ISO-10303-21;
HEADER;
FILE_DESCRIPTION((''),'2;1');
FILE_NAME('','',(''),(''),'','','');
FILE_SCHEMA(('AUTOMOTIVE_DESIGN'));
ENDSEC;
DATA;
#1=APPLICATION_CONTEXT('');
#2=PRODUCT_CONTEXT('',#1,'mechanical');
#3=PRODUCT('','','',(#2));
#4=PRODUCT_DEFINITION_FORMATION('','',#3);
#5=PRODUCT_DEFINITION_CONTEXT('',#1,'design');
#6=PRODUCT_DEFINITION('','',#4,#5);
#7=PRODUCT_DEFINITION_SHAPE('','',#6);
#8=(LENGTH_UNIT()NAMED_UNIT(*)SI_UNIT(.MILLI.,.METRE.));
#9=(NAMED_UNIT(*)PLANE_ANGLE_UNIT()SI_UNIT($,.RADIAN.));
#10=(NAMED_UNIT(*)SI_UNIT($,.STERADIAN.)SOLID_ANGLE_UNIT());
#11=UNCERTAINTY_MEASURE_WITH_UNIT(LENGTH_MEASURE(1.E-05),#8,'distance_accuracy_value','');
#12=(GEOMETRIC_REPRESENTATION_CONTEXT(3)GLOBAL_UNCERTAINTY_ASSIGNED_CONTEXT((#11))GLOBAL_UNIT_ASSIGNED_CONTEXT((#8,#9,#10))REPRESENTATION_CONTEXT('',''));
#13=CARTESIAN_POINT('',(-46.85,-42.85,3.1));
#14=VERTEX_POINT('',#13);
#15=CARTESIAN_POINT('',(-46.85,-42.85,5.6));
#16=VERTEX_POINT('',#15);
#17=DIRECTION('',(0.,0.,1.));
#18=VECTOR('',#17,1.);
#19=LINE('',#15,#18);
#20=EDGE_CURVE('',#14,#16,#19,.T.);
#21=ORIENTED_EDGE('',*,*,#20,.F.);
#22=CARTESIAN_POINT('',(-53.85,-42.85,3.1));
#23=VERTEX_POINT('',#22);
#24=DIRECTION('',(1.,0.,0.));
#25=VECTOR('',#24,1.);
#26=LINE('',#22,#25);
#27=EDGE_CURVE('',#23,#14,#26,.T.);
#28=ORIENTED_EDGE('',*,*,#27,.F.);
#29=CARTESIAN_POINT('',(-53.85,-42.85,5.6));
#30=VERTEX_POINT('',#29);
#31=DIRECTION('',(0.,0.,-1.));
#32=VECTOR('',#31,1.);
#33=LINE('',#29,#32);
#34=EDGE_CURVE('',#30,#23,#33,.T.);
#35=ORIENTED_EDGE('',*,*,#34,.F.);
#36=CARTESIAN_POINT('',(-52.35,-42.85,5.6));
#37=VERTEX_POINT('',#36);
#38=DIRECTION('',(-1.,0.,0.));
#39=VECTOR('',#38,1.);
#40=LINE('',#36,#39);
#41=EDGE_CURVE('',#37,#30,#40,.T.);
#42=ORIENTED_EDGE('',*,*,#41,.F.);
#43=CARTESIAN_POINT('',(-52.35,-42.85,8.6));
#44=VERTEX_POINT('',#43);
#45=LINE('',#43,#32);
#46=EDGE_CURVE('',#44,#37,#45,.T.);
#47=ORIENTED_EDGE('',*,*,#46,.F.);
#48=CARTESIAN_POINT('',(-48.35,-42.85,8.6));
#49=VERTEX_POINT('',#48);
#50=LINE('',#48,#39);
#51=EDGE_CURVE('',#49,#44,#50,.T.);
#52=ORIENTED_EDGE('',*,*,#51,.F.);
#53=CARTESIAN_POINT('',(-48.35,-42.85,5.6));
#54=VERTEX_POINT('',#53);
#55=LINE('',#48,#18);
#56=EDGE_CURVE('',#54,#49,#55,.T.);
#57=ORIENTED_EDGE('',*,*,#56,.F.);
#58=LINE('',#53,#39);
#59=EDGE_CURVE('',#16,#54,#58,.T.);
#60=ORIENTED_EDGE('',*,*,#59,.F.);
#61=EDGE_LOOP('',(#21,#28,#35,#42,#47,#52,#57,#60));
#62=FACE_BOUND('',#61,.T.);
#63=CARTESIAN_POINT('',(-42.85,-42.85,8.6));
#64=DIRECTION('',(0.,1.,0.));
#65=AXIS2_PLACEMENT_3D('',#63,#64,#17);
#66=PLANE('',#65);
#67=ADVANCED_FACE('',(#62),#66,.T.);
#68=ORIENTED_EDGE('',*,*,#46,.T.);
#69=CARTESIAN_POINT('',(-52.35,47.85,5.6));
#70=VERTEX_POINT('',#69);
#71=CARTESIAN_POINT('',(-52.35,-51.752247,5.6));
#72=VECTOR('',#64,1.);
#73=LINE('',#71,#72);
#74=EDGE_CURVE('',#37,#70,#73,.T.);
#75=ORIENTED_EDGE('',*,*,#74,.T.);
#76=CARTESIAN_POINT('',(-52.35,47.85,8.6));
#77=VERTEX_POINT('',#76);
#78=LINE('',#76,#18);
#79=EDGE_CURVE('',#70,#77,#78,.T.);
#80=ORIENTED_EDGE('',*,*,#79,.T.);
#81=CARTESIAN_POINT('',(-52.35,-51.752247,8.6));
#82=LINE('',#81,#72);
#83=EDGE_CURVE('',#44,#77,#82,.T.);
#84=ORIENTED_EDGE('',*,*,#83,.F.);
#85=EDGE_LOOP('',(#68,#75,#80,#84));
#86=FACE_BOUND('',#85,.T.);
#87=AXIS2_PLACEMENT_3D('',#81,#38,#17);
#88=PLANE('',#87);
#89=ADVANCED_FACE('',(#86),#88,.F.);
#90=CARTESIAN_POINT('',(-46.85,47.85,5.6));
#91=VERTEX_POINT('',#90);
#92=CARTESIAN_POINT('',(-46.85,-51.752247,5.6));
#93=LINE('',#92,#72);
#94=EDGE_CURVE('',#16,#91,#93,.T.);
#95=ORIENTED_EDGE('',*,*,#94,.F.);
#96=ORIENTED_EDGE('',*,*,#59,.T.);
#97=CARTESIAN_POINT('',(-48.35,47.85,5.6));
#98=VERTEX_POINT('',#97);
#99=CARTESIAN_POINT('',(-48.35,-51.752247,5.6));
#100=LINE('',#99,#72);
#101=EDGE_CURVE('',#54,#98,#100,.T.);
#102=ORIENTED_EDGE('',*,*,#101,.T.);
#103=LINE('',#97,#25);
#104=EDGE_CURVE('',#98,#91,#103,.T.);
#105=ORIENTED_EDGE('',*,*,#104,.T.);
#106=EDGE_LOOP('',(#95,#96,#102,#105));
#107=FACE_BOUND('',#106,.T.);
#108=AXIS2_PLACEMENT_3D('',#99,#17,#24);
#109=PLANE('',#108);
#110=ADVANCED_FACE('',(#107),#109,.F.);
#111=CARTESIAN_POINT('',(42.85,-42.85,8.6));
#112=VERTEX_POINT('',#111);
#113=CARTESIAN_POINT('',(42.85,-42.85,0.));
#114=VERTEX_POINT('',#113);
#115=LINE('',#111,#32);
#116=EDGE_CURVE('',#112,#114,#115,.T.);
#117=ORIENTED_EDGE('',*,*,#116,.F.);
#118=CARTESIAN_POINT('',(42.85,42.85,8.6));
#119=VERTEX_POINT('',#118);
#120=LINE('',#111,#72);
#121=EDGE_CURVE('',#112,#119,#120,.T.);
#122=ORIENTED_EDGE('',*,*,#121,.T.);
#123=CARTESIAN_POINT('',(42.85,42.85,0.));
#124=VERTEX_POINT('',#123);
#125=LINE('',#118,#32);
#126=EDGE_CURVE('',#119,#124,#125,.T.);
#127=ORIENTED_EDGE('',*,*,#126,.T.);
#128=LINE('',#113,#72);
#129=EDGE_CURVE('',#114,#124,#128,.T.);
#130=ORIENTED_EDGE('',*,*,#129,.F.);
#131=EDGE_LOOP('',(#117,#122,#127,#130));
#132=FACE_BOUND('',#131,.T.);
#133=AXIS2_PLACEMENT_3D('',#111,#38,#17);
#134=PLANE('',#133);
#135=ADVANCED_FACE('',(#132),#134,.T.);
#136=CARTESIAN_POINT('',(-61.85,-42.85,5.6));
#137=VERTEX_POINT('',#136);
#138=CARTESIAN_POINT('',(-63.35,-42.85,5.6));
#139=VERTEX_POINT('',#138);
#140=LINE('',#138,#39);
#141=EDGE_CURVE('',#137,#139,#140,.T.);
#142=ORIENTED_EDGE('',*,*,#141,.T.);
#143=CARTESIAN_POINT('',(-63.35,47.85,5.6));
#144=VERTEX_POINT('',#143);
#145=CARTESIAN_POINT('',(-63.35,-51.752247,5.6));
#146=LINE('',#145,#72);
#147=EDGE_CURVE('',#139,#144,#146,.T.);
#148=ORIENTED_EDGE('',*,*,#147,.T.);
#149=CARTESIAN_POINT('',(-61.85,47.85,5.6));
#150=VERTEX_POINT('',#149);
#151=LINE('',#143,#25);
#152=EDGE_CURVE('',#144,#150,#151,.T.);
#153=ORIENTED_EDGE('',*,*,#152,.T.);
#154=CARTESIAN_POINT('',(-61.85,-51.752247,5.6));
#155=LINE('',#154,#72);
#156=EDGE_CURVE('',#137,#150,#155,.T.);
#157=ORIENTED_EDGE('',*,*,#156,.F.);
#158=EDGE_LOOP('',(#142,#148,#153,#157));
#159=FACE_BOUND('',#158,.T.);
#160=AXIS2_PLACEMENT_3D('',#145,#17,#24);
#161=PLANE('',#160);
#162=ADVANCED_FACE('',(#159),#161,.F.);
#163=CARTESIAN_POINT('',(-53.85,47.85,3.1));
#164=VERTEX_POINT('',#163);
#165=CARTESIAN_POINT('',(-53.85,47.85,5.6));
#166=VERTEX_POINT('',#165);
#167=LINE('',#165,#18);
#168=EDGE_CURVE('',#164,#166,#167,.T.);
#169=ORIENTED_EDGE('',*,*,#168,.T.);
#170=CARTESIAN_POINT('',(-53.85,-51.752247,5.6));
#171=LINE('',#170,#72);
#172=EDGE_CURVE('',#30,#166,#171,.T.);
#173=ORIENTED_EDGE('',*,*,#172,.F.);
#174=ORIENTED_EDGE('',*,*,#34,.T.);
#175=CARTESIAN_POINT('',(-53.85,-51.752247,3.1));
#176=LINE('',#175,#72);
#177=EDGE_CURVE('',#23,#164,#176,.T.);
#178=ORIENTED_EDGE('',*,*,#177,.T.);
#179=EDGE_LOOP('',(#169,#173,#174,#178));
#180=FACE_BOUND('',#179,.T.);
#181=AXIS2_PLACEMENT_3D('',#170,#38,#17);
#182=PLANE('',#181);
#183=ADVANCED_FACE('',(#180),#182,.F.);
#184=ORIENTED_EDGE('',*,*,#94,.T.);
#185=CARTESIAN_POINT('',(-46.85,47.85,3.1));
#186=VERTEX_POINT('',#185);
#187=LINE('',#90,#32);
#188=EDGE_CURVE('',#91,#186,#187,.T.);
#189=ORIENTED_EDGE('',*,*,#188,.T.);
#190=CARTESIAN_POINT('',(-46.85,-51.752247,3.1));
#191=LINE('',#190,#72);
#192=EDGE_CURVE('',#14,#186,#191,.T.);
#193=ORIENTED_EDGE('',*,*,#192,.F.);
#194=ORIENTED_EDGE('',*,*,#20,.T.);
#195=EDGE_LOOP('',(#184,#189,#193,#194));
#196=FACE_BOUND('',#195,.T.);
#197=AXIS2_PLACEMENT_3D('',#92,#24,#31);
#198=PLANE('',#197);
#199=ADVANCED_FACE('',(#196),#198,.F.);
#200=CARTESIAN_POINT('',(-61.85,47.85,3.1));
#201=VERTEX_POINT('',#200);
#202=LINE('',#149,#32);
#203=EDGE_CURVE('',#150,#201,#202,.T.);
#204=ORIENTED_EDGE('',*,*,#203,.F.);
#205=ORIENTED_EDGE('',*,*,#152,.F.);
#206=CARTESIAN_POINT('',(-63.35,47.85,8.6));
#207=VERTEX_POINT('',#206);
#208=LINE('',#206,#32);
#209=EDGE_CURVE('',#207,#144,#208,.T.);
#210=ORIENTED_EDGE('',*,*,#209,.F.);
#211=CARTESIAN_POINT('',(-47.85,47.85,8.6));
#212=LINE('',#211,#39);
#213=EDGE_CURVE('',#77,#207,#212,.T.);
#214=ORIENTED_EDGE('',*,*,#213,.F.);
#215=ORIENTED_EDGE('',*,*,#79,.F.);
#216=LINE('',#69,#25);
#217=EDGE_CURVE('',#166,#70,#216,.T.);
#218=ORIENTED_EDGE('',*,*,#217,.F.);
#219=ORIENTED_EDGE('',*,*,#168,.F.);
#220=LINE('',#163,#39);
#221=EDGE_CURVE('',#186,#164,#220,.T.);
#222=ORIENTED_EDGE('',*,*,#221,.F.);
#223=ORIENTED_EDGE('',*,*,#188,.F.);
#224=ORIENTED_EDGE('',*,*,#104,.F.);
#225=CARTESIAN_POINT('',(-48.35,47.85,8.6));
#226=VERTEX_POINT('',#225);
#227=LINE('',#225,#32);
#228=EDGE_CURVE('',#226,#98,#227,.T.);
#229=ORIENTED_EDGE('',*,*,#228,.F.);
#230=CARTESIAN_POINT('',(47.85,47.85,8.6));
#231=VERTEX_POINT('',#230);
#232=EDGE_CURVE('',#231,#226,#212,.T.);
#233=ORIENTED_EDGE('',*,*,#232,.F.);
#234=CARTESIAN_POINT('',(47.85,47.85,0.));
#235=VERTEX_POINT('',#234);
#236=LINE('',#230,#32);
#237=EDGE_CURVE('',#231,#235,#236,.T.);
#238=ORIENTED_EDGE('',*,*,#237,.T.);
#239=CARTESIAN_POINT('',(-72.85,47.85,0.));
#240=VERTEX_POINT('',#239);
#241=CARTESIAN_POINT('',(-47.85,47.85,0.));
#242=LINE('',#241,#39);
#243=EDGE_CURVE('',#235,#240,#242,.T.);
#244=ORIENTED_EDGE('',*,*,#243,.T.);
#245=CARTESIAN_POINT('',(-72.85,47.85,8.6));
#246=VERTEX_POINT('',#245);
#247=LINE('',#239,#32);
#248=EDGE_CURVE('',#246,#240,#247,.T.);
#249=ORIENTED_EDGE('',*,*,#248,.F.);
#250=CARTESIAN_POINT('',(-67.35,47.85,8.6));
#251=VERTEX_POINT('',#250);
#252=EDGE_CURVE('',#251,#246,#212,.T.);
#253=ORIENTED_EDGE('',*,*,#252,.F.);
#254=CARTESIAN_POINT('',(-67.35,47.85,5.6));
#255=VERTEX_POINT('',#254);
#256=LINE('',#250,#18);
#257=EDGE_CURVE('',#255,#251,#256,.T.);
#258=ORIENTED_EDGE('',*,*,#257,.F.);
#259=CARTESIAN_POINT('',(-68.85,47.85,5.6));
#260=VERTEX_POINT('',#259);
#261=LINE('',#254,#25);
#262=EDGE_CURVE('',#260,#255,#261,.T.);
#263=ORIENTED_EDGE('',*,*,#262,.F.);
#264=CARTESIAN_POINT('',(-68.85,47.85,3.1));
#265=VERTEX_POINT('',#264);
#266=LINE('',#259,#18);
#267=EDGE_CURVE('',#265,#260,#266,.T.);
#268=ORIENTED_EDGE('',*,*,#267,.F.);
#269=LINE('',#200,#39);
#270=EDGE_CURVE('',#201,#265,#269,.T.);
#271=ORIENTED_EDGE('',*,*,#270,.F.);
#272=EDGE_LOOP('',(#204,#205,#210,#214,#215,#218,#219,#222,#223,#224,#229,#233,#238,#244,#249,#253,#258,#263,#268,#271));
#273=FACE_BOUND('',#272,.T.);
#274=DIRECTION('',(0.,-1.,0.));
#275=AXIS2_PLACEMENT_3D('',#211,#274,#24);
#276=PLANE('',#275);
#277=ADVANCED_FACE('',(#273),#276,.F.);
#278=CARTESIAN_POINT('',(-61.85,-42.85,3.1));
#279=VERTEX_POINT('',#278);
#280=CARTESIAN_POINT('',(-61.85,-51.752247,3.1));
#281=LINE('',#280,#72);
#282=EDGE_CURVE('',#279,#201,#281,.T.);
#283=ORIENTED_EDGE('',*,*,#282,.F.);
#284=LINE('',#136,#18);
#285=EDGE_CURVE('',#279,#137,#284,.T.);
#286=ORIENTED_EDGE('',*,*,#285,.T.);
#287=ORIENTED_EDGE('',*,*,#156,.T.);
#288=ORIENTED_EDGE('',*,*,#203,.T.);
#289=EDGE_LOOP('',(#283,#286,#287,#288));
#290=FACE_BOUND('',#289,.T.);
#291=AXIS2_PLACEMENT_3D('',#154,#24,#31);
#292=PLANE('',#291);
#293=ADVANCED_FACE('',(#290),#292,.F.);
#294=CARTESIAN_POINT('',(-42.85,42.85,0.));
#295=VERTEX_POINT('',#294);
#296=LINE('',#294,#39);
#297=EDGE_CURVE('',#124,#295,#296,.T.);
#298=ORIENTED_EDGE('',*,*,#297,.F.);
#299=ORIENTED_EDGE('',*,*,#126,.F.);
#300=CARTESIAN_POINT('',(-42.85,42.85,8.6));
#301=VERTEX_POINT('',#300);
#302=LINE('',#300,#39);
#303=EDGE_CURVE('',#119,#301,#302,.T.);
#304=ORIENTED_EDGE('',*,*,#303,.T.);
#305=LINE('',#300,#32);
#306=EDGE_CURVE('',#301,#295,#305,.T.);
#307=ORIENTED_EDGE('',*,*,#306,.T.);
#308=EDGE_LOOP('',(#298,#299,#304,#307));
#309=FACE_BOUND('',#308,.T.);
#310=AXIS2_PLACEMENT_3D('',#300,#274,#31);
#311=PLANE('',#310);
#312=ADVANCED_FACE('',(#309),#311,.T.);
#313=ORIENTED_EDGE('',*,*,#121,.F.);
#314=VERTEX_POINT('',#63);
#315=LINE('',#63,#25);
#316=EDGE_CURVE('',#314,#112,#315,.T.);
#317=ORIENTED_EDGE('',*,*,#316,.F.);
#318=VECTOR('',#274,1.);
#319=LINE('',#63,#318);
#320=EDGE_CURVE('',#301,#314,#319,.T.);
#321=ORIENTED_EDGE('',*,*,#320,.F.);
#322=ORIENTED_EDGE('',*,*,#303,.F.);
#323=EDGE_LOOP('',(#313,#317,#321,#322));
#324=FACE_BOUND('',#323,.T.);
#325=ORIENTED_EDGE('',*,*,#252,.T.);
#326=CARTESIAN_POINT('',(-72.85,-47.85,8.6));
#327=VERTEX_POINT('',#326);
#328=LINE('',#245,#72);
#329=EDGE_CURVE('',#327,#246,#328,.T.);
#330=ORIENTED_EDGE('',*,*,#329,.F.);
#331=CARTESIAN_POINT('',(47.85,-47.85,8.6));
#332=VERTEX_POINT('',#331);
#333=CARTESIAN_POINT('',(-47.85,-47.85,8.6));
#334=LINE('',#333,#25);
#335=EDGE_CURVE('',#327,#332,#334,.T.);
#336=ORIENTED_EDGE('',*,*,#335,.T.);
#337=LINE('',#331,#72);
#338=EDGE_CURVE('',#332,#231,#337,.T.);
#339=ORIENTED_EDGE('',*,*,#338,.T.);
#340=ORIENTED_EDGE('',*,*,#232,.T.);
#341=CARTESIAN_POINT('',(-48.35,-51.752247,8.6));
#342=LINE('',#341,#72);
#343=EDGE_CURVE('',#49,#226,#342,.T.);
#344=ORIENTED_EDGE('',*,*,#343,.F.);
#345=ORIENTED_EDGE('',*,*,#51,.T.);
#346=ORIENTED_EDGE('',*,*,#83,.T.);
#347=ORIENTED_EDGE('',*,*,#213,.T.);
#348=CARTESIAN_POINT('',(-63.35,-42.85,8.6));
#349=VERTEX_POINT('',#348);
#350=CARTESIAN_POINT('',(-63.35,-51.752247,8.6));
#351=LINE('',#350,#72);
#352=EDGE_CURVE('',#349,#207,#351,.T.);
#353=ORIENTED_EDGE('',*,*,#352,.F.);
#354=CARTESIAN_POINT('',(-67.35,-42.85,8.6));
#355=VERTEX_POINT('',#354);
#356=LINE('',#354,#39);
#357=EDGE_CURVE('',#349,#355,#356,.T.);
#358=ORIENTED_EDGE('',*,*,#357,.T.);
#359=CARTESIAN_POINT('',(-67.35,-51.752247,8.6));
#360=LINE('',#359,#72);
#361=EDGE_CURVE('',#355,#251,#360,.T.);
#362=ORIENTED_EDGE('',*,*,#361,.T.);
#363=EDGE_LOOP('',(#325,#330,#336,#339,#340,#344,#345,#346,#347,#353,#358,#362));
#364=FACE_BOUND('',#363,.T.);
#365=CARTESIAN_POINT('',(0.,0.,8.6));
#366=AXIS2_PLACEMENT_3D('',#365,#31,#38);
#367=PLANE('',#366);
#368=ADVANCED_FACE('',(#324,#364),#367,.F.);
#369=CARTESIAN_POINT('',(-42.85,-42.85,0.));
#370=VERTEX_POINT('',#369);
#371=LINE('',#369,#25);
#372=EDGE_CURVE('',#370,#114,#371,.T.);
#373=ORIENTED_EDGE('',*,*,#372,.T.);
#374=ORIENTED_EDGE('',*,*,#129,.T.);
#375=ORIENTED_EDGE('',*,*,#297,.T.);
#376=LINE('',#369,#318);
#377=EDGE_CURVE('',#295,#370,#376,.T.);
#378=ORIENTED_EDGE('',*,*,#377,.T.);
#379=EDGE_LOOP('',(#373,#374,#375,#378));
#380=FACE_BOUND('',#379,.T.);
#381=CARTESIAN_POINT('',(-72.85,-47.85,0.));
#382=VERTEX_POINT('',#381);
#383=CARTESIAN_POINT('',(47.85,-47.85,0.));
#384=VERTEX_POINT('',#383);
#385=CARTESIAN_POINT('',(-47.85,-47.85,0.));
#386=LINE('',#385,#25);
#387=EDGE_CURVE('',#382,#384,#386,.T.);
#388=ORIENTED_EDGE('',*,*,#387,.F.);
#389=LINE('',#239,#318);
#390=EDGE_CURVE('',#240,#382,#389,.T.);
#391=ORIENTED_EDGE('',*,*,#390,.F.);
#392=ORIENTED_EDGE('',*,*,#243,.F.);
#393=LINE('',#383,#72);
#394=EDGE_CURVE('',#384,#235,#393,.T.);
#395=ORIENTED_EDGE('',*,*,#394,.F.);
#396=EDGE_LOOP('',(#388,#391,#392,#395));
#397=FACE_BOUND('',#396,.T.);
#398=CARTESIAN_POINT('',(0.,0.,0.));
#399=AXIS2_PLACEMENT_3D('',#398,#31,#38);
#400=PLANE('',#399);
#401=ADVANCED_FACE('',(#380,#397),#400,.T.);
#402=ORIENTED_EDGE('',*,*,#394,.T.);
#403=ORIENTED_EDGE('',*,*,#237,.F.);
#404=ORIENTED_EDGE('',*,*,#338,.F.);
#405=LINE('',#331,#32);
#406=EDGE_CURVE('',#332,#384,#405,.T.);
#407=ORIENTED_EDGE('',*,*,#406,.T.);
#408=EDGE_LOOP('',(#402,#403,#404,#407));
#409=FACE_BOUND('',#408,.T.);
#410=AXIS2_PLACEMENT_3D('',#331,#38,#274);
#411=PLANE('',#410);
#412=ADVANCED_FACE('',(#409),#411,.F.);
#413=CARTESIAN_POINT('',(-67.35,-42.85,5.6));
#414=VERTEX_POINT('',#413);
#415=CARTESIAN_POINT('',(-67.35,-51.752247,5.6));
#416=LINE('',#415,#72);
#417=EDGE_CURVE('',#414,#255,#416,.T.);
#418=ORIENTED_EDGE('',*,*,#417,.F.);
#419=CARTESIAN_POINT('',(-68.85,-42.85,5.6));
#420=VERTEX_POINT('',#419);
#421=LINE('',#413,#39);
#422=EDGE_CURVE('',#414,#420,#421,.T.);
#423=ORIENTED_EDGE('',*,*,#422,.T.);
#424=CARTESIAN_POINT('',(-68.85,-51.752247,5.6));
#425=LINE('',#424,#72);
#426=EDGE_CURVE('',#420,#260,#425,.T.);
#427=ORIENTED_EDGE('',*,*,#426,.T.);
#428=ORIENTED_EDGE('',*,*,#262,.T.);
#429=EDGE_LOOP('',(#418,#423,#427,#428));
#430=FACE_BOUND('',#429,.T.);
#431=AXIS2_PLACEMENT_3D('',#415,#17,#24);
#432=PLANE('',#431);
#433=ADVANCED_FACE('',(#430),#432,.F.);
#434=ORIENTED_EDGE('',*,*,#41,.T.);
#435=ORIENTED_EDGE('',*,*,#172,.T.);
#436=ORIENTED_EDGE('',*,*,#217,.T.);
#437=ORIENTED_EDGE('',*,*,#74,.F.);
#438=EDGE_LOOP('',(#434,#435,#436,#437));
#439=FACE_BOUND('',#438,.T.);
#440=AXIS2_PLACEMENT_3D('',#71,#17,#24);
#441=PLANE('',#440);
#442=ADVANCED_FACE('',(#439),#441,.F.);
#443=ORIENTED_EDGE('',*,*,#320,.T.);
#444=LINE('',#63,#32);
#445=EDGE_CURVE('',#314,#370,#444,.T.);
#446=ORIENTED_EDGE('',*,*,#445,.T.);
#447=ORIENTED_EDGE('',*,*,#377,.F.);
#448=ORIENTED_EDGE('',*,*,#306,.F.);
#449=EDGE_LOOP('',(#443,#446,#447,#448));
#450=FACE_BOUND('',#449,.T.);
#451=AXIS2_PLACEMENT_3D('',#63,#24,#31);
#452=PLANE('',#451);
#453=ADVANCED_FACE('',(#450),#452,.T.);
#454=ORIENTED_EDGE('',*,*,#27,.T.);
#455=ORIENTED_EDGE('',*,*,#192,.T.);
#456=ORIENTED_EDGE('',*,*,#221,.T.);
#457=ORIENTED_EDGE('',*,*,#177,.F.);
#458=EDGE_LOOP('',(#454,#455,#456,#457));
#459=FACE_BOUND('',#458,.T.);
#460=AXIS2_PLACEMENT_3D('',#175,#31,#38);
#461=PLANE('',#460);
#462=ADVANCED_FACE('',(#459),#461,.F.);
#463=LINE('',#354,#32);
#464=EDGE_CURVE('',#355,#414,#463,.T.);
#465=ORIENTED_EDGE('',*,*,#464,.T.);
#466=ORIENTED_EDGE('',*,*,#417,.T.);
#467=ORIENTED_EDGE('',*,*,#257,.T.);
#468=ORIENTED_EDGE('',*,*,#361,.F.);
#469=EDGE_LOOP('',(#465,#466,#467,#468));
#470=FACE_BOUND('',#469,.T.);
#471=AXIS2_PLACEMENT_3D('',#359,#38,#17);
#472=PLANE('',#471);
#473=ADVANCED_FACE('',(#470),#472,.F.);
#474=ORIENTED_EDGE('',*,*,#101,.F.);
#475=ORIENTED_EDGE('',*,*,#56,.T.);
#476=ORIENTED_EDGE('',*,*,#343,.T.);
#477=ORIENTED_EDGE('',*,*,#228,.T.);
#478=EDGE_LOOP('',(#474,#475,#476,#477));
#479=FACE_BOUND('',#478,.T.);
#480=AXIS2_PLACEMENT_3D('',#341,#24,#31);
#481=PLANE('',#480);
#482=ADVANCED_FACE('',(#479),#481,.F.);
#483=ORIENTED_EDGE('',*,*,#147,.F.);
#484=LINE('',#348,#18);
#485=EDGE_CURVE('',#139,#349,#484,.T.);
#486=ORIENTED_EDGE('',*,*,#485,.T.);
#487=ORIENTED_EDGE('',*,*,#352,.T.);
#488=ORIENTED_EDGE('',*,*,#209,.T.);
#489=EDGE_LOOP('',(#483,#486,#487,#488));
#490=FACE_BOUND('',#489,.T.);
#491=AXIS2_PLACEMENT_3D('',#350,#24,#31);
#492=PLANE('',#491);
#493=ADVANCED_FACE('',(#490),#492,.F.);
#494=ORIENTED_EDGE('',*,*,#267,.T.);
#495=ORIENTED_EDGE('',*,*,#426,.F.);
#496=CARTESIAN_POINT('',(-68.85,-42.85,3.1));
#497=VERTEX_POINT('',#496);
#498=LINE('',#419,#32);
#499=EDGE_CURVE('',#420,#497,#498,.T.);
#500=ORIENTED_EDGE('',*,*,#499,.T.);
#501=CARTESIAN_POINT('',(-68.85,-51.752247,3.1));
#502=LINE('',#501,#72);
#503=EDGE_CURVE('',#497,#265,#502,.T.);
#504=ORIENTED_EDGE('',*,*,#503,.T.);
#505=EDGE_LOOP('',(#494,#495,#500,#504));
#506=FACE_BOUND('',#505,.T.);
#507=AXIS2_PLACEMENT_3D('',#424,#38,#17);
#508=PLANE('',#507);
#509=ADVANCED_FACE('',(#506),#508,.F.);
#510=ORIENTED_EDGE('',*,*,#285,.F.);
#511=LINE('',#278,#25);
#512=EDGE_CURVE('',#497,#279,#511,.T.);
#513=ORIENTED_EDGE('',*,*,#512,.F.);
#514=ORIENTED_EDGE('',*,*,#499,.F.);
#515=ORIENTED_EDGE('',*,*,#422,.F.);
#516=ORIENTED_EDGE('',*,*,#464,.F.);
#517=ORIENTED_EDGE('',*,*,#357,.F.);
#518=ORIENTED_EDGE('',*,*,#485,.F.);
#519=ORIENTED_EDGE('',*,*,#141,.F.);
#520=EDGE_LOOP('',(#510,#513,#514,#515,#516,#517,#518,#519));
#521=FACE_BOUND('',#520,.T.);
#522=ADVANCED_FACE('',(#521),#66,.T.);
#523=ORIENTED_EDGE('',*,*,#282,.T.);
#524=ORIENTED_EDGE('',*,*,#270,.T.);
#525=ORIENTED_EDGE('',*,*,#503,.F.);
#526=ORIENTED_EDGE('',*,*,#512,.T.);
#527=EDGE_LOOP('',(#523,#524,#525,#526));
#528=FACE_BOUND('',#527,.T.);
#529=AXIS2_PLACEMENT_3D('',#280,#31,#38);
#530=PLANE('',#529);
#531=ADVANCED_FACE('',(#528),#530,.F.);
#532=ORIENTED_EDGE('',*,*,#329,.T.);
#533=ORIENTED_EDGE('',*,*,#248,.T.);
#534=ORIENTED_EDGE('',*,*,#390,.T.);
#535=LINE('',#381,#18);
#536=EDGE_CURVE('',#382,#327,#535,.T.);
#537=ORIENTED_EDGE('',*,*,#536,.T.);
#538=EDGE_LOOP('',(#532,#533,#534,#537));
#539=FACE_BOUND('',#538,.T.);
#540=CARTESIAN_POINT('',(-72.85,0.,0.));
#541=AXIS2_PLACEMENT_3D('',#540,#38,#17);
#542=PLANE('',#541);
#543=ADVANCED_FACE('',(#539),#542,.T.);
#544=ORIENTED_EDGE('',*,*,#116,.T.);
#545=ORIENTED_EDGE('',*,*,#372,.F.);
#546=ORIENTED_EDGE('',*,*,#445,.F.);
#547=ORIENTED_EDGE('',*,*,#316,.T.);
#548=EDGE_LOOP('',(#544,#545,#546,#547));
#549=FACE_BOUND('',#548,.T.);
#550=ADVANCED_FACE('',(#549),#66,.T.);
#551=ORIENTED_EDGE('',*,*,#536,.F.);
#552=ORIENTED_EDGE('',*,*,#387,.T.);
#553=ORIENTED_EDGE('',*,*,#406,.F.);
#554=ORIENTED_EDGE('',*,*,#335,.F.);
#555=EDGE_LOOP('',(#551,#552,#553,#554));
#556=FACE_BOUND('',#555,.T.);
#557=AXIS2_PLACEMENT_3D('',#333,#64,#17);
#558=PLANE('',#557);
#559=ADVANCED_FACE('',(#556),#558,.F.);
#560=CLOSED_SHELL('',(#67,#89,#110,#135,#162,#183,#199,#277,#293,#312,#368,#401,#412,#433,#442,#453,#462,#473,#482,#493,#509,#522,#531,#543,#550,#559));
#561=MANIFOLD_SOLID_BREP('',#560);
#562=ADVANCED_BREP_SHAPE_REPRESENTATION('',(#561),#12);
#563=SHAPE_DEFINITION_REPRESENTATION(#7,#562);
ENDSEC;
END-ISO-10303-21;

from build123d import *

# Parameters (mm, degrees)
SKETCH_1_W          = 95.7
SKETCH_1_H          = 95.7
SKETCH_1_W_2        = 85.7
SKETCH_1_H_2        = 85.7
EXTRUDE_1_DEPTH     = 8.6
SKETCH_2_W          = 8.6
SKETCH_2_H          = 95.7
EXTRUDE_2_DEPTH     = 25
CUT_EXTRUDE_2_DEPTH = 90.7


with BuildPart() as part:
    # 草图1 → 凸台-拉伸1 (new body)
    with BuildSketch(Plane.XY):
        Rectangle(SKETCH_1_W, SKETCH_1_H)
        Rectangle(SKETCH_1_W_2, SKETCH_1_H_2, mode=Mode.SUBTRACT)
    extrude(amount=EXTRUDE_1_DEPTH)

    # 草图2 → 凸台-拉伸2 (add)
    with BuildSketch(Plane.ZY.offset(47.85)):
        with Locations((4.3, 0)):
            Rectangle(SKETCH_2_W, SKETCH_2_H)
    extrude(amount=EXTRUDE_2_DEPTH)

    # 草图5 → 切除-拉伸2 (cut)
    with BuildSketch(Plane(origin=(0, 47.85, 0), x_dir=(1, 0, 0), z_dir=(0, 1, 0))):
        Polygon((-67.35, -8.6), (-63.35, -8.6), (-63.35, -5.6), (-61.85, -5.6), (-61.85, -3.1), (-68.85, -3.1), (-68.85, -5.6), (-67.35, -5.6), align=None)
        Polygon((-53.85, -5.6), (-53.85, -3.1), (-46.85, -3.1), (-46.85, -5.6), (-48.35, -5.6), (-48.35, -8.6), (-52.35, -8.6), (-52.35, -5.6), align=None)
    extrude(amount=-CUT_EXTRUDE_2_DEPTH, mode=Mode.SUBTRACT)


solid = part.part
